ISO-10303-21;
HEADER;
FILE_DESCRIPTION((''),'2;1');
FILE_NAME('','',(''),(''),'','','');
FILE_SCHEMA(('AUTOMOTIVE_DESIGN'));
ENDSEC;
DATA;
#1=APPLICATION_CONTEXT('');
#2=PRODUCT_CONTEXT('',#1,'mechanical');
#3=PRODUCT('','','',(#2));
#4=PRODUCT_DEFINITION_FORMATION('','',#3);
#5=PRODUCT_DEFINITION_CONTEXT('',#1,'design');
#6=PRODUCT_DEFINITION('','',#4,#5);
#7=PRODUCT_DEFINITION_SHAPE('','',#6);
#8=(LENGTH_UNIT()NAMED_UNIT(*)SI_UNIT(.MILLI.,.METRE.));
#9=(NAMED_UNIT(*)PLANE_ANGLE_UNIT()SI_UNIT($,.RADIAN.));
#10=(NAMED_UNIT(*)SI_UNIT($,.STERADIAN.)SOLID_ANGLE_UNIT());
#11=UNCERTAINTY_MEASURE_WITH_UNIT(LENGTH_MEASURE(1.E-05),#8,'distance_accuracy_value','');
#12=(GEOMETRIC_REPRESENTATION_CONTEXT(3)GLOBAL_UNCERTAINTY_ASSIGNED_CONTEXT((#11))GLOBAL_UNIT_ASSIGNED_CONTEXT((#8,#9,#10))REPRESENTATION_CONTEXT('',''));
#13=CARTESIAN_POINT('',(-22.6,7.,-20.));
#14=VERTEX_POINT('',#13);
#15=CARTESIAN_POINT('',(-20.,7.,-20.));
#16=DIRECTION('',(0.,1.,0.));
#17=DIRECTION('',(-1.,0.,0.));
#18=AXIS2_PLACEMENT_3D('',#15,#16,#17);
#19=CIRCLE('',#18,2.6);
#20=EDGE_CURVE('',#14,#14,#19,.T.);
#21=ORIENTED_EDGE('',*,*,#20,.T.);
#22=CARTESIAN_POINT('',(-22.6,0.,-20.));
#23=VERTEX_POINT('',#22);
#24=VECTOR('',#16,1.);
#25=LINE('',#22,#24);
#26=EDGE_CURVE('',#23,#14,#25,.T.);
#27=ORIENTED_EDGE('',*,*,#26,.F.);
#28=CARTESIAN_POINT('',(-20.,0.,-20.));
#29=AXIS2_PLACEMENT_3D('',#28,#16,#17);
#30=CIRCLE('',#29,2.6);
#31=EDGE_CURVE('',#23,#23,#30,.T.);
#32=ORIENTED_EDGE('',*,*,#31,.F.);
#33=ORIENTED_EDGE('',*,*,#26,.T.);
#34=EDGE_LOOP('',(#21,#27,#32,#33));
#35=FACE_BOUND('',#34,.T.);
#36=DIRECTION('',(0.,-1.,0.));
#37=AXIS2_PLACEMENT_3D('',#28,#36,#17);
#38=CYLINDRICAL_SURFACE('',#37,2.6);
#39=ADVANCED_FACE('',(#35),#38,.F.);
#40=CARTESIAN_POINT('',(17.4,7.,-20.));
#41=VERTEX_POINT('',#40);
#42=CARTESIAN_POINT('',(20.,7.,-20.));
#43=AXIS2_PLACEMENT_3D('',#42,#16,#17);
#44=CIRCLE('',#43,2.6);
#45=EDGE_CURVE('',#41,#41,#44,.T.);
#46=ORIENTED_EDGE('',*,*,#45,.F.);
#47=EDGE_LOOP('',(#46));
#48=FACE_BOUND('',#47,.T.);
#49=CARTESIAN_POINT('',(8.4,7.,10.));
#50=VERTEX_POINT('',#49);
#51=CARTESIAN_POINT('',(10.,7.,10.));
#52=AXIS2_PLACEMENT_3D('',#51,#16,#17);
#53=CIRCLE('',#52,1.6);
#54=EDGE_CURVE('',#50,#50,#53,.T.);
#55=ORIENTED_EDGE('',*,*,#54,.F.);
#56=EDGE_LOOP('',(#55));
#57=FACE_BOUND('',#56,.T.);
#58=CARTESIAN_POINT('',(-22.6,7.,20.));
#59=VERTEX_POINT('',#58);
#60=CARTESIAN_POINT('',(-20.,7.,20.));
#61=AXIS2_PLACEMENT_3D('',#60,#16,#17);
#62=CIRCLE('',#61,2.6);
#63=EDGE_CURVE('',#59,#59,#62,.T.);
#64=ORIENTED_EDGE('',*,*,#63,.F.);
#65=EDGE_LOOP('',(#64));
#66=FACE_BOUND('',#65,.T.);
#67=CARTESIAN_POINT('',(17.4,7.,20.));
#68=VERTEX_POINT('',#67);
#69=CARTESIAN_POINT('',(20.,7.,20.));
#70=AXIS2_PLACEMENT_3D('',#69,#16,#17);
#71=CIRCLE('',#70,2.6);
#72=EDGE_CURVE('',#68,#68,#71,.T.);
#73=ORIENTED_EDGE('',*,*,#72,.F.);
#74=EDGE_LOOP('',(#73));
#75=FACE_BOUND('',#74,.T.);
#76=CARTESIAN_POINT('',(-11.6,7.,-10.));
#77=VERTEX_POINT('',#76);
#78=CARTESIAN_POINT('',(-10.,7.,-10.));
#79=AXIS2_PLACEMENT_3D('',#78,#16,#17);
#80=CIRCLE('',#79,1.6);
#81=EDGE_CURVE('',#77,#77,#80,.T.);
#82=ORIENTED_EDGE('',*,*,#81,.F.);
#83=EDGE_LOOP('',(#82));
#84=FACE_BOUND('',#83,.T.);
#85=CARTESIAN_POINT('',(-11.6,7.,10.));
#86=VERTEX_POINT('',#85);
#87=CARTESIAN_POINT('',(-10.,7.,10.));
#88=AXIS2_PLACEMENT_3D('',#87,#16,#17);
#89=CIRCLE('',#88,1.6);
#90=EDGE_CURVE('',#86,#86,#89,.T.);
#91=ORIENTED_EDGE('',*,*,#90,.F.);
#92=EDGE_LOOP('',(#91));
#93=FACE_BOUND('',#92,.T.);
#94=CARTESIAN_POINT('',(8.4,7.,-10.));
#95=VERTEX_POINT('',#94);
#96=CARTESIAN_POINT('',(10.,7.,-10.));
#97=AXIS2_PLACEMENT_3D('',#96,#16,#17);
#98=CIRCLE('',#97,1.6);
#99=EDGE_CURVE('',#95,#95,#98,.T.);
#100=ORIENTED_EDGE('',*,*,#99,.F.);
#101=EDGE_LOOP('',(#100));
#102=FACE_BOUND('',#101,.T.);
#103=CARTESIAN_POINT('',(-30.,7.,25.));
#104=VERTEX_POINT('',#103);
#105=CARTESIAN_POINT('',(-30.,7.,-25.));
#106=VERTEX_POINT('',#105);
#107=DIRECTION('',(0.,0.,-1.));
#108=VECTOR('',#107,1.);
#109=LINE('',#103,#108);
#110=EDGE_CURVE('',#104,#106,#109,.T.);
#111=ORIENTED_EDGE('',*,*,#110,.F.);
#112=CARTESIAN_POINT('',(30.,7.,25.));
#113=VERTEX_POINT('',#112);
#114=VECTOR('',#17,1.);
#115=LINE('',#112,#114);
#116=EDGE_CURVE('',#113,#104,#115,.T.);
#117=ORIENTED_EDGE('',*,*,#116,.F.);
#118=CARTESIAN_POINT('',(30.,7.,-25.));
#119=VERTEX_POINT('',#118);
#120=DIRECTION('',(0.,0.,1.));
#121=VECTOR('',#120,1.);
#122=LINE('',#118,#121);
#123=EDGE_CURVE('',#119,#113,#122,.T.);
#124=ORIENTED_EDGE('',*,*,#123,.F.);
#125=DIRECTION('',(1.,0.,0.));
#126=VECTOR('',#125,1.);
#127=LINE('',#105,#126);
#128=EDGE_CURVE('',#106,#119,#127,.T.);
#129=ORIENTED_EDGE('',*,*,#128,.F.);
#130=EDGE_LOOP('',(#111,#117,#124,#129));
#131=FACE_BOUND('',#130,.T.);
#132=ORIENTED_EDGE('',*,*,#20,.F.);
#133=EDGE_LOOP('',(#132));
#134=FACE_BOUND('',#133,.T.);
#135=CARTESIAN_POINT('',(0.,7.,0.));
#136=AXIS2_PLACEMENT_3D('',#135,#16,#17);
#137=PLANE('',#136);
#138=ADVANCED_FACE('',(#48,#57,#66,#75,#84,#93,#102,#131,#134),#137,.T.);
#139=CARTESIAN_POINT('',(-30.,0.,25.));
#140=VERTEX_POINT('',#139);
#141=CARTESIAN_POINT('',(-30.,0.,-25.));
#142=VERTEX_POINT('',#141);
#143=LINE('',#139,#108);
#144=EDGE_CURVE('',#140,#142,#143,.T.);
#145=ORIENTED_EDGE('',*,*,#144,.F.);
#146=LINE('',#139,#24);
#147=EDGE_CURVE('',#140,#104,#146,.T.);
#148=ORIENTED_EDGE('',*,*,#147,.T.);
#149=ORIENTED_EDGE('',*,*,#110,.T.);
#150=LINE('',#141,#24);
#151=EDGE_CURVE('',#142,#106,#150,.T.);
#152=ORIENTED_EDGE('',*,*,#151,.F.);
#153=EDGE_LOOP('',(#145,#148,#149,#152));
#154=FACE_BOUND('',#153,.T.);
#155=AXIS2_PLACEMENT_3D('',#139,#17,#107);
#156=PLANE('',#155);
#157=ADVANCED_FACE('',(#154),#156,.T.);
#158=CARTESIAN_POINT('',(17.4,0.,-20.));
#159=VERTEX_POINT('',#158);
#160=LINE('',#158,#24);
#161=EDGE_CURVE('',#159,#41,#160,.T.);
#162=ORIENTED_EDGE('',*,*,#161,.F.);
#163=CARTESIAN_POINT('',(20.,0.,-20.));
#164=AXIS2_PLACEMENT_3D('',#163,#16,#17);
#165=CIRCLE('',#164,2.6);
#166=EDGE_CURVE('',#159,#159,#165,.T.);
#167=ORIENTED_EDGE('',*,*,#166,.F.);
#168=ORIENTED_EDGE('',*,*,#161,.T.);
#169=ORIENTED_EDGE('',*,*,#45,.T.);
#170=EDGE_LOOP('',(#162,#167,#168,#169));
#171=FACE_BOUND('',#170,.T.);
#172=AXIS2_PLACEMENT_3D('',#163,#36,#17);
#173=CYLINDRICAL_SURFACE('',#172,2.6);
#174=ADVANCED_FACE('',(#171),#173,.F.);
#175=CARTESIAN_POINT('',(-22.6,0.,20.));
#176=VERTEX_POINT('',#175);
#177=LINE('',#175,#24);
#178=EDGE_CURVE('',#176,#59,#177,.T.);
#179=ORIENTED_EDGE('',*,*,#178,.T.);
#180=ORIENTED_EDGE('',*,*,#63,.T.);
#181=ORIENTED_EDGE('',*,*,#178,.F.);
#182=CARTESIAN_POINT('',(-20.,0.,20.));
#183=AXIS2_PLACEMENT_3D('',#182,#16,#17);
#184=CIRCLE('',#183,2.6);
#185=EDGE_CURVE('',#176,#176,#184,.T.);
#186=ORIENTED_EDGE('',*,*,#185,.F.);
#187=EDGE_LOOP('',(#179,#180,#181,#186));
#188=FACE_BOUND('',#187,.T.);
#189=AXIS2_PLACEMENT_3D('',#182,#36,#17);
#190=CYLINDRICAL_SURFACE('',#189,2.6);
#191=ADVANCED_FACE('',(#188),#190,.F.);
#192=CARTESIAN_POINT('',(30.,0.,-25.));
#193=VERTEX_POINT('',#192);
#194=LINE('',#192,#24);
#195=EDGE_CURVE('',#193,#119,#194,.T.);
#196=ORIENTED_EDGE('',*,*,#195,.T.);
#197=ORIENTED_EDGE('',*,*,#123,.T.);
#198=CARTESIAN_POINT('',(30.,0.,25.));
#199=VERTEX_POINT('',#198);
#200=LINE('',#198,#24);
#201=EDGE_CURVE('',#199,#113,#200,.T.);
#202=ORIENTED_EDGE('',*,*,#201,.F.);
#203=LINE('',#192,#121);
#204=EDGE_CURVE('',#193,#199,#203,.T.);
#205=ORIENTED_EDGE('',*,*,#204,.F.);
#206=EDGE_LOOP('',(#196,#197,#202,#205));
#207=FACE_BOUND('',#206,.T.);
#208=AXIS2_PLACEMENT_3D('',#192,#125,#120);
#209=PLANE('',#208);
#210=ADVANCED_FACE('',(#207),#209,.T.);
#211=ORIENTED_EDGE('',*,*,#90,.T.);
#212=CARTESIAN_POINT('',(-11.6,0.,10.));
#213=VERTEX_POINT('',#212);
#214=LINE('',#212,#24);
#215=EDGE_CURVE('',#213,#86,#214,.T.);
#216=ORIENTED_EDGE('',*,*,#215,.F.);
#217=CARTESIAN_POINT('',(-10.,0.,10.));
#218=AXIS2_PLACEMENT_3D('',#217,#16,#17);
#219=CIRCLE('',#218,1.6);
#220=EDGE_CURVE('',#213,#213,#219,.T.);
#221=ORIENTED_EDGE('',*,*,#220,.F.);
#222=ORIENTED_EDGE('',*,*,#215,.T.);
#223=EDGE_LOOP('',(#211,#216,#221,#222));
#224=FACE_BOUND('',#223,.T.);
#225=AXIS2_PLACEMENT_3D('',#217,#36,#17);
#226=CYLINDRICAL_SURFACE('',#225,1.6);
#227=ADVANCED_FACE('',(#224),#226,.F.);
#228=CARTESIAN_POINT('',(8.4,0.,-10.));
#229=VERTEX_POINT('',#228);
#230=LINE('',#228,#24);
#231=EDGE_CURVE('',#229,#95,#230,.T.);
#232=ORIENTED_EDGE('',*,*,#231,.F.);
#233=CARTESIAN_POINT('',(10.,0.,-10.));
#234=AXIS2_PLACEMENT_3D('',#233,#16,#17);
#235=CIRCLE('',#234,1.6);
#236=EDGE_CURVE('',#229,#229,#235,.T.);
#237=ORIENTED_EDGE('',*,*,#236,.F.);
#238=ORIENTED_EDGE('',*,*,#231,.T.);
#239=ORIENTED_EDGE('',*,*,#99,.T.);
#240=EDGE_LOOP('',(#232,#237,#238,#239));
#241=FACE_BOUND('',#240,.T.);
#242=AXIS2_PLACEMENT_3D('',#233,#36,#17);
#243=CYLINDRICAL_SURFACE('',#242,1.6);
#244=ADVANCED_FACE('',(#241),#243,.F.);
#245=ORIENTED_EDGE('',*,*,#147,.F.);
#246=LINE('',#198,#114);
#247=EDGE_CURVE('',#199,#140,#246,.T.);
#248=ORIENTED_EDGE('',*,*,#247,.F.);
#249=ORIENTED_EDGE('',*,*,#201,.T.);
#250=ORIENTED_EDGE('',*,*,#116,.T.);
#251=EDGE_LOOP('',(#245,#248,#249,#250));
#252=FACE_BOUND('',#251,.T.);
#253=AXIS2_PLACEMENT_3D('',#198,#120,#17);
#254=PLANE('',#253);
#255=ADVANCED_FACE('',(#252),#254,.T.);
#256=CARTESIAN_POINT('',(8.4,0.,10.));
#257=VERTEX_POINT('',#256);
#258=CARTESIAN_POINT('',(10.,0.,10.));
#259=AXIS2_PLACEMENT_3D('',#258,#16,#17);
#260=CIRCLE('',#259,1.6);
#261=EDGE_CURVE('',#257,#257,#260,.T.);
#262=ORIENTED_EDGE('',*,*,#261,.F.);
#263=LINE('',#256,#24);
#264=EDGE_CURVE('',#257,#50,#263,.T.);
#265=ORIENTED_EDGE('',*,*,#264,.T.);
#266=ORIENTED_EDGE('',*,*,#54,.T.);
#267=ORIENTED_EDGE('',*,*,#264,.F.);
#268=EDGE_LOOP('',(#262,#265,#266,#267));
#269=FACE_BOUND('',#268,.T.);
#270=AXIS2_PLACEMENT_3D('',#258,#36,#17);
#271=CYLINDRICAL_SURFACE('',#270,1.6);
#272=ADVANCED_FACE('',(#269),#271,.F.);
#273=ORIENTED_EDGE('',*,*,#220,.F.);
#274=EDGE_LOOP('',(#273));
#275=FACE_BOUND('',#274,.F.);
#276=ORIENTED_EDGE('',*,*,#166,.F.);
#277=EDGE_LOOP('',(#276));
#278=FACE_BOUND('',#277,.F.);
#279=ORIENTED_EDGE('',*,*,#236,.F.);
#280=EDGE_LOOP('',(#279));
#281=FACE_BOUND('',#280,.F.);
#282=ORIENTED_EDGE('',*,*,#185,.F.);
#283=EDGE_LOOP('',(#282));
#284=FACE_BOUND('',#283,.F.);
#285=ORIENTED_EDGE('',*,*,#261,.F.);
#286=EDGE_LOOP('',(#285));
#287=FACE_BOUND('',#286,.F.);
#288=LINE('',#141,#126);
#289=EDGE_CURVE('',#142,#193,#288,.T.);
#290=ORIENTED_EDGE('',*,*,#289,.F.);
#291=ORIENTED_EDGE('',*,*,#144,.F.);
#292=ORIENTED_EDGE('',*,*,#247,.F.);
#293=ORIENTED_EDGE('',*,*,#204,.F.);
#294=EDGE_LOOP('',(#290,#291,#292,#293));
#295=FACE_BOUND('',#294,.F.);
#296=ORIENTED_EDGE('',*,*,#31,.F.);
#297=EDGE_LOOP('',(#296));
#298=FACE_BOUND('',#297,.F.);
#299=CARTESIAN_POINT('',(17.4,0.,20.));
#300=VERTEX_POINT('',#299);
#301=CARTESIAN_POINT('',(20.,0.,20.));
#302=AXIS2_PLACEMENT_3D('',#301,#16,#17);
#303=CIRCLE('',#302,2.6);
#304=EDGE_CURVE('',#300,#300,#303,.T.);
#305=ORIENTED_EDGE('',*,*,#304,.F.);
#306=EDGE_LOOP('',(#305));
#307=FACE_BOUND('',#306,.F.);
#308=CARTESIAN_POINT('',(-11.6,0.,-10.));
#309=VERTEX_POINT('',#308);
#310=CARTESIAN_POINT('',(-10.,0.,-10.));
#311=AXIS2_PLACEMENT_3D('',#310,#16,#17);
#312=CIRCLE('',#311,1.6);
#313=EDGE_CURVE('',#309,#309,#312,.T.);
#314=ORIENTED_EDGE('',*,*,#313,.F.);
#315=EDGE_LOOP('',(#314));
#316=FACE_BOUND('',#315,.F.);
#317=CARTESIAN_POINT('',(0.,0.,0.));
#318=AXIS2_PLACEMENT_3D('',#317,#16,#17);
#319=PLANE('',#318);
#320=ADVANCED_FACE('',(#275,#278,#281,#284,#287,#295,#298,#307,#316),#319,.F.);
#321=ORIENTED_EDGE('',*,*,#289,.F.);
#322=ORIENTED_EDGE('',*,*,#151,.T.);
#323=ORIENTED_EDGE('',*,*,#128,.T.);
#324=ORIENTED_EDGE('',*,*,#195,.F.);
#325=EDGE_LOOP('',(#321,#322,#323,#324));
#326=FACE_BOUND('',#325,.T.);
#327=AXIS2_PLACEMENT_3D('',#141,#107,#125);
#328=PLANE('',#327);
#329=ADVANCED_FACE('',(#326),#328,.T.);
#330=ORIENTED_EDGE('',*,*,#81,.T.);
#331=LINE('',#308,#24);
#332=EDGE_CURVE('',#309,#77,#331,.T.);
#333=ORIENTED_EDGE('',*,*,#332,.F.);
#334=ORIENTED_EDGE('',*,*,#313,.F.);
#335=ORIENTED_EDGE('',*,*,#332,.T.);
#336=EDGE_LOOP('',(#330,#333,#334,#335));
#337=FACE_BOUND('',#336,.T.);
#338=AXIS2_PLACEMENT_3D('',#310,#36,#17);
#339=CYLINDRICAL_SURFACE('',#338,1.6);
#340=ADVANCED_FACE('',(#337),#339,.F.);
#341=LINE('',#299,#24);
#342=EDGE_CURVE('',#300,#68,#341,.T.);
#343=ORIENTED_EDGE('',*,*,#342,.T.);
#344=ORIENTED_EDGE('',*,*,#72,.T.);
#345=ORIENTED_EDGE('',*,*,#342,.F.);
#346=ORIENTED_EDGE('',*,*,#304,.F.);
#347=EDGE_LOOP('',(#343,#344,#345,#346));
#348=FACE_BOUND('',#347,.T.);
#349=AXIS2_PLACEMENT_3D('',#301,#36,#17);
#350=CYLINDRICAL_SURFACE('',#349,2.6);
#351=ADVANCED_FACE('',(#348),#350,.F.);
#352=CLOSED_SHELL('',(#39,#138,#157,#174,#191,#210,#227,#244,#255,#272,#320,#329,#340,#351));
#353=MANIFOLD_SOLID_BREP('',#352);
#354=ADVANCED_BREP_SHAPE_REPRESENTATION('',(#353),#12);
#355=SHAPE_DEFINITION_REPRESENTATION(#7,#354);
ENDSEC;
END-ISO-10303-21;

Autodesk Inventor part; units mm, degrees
ref_plane "YZ Plane" through (0, 0, 0) normal (1, 0, 0) x (0, 1, 0)
ref_plane "XZ Plane" through (0, 0, 0) normal (0, 1, 0) x (-1, 0, 0)
ref_plane "XY Plane" through (0, 0, 0) normal (0, 0, 1) x (1, 0, 0)
sketch "Sketch2" plane through (0, 0, 0) normal (0, 1, 0) x (-1, 0, 0)
  line L0 (-10, 10) -> (10, 10) construction
  line L1 (10, 10) -> (10, -10) construction
  line L2 (10, -10) -> (-10, -10) construction
  line L3 (-10, -10) -> (-10, 10) construction
  line L4 (-10, 10) -> (10, -10) construction
  line L5 (10, 10) -> (-10, -10) construction
  line L6 (-20, 20) -> (20, 20) construction
  line L7 (20, 20) -> (20, -20) construction
  line L8 (20, -20) -> (-20, -20) construction
  line L9 (-20, -20) -> (-20, 20) construction
  line L10 (-20, 20) -> (20, -20) construction
  line L11 (20, 20) -> (-20, -20) construction
  line L12 (-30, 25) -> (30, 25)
  line L13 (30, 25) -> (30, -25)
  line L14 (30, -25) -> (-30, -25)
  line L15 (-30, -25) -> (-30, 25)
  line L16 (-30, 25) -> (30, -25) construction
  line L17 (30, 25) -> (-30, -25) construction
  circle A0 centre (-20, -20) radius 2.6
  circle A1 centre (20, -20) radius 2.6
  circle A2 centre (20, 20) radius 2.6
  circle A3 centre (-20, 20) radius 2.6
  circle A4 centre (-10, -10) radius 1.6
  circle A5 centre (10, -10) radius 1.6
  circle A6 centre (10, 10) radius 1.6
  circle A7 centre (-10, 10) radius 1.6
  point P0 (0, 0)
  dimension "d7" = 40
  dimension "d8" = 60
  dimension "d9" = 20
  dimension "d10" = 5.2
  dimension "d11" = 3.2
  dimension "d17" = 50
extrude "Extrusion2" add sketch "Sketch2" along normal blind 7
sketch "Sketch3" plane through (-30, 0, 25) normal (0, 0, 1) x (1, 0, 0)
  circle A0 centre (30, 3.5) radius 1.6
  line L0 (0, 0) -> (60, 0) projected
  line L1 (60, 0) -> (60, 7) projected
  point P0 (30, 0)
  point P1 (30, 0)
  point P2 (60, 3.5)
  dimension "d14" = 3.2
extrude "Extrusion3" [suppressed]
properties part number "Master"
